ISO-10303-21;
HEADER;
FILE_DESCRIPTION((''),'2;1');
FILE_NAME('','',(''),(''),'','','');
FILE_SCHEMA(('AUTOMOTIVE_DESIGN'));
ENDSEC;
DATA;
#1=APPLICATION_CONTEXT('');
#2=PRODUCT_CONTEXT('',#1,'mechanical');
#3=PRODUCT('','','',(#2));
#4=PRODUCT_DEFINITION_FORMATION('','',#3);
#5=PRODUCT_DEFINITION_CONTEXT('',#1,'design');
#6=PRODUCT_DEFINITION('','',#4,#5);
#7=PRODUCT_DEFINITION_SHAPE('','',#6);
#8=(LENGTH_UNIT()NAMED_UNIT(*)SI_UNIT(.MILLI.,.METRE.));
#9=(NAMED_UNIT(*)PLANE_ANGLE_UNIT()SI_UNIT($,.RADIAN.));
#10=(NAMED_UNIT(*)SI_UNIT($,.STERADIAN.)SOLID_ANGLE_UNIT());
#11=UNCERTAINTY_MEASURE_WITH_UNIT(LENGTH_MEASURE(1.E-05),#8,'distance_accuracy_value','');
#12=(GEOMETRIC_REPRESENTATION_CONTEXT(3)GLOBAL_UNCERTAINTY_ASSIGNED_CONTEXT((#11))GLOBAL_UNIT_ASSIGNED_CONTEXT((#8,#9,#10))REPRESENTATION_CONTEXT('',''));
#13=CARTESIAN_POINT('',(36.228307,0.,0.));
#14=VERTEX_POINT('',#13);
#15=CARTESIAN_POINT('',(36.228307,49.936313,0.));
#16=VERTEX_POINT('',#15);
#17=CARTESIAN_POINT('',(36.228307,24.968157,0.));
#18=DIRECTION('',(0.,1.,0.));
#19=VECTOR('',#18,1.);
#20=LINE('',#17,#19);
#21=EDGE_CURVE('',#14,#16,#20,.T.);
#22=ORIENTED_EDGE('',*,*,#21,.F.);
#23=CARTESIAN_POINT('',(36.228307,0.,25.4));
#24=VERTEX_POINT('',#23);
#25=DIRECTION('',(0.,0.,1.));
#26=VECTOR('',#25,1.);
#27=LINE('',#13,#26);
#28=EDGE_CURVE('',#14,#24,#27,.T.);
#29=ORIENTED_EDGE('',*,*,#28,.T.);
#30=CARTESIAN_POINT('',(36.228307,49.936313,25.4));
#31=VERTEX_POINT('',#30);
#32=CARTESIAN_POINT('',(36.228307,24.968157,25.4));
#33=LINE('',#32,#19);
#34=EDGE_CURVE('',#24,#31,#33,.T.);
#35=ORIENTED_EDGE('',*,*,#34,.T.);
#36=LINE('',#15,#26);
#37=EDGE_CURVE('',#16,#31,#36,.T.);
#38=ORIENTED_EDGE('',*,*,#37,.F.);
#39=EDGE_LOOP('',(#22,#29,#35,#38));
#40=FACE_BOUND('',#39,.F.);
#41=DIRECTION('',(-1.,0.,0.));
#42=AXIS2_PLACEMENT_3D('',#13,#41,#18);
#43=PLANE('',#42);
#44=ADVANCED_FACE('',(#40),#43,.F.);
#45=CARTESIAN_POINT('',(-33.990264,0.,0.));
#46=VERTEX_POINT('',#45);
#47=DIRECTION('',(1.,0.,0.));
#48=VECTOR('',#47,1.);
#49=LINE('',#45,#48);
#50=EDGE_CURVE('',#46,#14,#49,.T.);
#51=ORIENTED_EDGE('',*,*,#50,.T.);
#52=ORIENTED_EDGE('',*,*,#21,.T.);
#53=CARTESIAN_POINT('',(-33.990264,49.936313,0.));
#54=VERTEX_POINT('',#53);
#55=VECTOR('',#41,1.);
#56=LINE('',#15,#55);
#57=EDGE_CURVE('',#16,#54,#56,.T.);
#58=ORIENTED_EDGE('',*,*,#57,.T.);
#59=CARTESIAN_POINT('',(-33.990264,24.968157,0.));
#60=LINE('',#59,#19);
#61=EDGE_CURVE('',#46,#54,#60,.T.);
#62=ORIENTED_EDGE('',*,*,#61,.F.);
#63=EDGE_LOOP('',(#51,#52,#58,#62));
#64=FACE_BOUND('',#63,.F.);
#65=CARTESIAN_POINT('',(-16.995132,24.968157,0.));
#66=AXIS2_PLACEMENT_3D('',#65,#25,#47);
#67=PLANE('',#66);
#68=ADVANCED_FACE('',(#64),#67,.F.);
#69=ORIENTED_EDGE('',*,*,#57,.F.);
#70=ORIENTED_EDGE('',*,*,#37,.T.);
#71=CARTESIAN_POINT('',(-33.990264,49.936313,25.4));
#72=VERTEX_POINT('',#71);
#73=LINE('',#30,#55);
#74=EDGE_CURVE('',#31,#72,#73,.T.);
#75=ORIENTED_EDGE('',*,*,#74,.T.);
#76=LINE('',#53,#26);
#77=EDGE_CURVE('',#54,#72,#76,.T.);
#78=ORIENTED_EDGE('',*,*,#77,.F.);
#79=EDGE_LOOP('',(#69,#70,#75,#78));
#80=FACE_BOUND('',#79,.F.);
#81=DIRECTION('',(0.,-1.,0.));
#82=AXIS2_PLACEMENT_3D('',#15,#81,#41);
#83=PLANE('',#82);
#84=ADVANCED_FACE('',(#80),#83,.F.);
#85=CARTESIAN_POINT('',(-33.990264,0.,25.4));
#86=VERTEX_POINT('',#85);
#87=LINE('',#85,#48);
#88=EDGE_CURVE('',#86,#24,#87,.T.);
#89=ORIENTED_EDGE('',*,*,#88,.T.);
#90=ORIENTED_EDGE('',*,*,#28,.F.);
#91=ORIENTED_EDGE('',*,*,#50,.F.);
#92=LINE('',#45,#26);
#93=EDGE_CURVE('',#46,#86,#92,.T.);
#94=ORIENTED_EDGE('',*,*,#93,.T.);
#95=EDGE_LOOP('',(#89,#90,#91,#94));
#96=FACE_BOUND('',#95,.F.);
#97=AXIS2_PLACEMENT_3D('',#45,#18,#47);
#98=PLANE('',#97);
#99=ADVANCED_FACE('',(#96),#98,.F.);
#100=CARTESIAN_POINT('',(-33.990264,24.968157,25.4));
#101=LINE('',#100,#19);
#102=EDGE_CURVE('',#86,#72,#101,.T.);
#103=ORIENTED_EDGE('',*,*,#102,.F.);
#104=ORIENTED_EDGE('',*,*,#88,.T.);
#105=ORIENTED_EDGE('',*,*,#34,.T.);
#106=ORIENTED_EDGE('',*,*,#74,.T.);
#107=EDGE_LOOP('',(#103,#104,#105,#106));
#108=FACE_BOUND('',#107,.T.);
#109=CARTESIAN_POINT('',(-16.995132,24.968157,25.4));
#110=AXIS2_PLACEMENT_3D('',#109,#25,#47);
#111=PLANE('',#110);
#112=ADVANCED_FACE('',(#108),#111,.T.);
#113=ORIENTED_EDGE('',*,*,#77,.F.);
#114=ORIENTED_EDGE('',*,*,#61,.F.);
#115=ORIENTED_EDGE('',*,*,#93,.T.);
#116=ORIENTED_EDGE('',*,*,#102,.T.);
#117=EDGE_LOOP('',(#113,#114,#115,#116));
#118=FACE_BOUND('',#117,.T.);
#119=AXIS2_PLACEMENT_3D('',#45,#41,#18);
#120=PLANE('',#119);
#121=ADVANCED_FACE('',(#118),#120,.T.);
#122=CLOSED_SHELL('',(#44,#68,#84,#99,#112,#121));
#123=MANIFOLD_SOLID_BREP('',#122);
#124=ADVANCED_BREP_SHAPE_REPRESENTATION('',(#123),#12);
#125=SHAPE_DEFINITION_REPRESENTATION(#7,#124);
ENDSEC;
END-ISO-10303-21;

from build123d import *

# Parameters (mm, degrees)
F0_W     = 33.9902639389
F0_H     = 49.9363131821
F0_W_2   = 36.2283065915
F1_DEPTH = 25.4


with BuildPart() as f1:
    # F0 (on Top) → F1 (new body)
    with BuildSketch(Plane.XY):
        with Locations((-16.9951319695, 24.9681565911)):
            Rectangle(F0_W, F0_H)
        with Locations((18.1141532958, 24.9681565911)):
            Rectangle(F0_W_2, F0_H)
    extrude(amount=F1_DEPTH)


solid = f1.part
